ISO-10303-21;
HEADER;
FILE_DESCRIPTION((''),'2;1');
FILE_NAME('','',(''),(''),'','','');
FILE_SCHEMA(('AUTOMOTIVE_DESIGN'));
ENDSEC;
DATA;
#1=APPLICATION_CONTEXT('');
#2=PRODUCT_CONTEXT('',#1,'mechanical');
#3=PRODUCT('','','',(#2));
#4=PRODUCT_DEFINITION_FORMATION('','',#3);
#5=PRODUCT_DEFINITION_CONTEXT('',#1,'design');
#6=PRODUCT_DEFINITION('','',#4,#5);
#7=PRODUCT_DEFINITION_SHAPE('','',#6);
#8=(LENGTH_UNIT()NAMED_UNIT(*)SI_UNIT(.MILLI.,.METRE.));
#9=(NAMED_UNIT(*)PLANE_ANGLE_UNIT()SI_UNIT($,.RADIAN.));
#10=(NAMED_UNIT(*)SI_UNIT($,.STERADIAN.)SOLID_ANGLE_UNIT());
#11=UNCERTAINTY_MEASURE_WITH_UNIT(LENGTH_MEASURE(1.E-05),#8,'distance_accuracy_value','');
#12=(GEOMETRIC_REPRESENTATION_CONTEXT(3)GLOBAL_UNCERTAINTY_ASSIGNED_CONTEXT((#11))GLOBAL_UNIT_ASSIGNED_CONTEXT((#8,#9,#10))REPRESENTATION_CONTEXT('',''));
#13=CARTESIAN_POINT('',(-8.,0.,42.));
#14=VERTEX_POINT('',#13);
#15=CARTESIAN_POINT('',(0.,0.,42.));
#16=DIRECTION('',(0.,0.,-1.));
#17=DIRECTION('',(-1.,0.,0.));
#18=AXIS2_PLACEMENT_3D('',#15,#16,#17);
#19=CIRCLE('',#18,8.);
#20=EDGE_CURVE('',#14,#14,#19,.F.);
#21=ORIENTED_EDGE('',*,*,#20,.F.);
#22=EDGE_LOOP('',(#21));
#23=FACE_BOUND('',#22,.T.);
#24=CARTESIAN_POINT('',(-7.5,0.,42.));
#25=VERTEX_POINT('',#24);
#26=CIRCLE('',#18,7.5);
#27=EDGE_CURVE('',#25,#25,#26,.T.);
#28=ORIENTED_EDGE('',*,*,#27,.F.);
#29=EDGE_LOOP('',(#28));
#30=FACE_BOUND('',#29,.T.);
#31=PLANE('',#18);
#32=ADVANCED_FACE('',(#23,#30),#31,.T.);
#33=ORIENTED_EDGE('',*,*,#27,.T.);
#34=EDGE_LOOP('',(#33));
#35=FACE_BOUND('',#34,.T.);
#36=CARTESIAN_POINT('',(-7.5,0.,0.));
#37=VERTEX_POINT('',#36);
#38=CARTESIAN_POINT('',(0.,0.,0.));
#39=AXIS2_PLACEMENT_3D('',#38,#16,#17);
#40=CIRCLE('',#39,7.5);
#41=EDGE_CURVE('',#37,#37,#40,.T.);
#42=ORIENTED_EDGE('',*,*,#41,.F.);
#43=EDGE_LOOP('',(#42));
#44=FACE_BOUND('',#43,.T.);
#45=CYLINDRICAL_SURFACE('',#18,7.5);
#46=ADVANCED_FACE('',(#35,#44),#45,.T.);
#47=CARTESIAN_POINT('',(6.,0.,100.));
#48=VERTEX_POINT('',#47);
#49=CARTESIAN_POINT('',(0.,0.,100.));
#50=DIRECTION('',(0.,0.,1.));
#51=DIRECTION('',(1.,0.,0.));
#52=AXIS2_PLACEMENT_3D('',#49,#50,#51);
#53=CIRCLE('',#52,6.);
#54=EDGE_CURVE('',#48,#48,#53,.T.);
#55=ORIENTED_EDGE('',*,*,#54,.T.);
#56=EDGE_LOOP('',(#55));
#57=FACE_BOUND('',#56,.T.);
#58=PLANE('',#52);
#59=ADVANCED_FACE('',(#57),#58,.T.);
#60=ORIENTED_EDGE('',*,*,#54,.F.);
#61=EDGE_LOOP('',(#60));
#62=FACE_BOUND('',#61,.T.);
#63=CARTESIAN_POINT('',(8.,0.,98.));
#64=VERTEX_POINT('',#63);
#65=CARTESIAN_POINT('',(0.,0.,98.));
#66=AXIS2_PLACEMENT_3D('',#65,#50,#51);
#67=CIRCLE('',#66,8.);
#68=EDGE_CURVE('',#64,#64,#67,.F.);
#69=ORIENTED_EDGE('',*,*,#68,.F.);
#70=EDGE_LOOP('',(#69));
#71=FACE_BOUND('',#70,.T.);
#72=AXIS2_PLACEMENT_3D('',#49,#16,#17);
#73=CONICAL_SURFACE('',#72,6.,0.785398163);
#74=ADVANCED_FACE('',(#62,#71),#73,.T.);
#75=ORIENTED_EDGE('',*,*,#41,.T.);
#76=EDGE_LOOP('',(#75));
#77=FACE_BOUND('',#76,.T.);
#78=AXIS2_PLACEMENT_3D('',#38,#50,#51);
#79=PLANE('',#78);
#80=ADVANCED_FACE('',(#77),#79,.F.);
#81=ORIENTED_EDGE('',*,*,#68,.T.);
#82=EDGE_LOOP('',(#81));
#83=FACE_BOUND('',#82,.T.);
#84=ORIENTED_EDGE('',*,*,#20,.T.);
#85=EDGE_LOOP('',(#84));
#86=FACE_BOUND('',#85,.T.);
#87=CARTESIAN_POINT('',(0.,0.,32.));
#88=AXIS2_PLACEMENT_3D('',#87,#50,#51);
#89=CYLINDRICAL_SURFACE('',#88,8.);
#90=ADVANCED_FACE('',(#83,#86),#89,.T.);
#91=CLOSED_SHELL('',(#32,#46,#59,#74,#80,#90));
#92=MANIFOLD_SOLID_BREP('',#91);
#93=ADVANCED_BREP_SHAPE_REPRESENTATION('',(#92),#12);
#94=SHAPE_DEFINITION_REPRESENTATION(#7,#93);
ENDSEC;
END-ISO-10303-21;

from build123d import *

# Parameters (mm, degrees)
SKIZZE1_R                       = 10
AUFSATZ_LINEAR_AUSTRAGEN1_DEPTH = 100
SKIZZE2_R                       = 10
SKIZZE2_R_2                     = 8
SCHNITT_LINEAR_AUSTRAGEN1_DEPTH = 68
FASE1_SIZE                      = 2
SKIZZE3_R                       = 10
SKIZZE3_R_2                     = 7.5
SCHNITT_LINEAR_AUSTRAGEN2_DEPTH = 42


with BuildPart() as part:
    # Skizze1 → Aufsatz-Linear austragen1 (new body)
    with BuildSketch(Plane.XY):
        Circle(SKIZZE1_R)
    extrude(amount=AUFSATZ_LINEAR_AUSTRAGEN1_DEPTH)

    # Skizze2 → Schnitt-Linear austragen1 (cut)
    with BuildSketch(Plane.XY.offset(100)):
        Circle(SKIZZE2_R)
        Circle(SKIZZE2_R_2, mode=Mode.SUBTRACT)
    extrude(amount=-SCHNITT_LINEAR_AUSTRAGEN1_DEPTH, mode=Mode.SUBTRACT)

    # Fase1
    fase1_edges = [part.edges().sort_by_distance(p)[0] for p in [
        (-8, 0, 100),
    ]]
    chamfer(fase1_edges, length=FASE1_SIZE)

    # Skizze3 → Schnitt-Linear austragen2 (cut)
    with BuildSketch(Plane(origin=(0, 0, 0), x_dir=(-1, 0, 0), z_dir=(0, 0, -1))):
        Circle(SKIZZE3_R)
        Circle(SKIZZE3_R_2, mode=Mode.SUBTRACT)
    extrude(amount=-SCHNITT_LINEAR_AUSTRAGEN2_DEPTH, mode=Mode.SUBTRACT)


solid = part.part
